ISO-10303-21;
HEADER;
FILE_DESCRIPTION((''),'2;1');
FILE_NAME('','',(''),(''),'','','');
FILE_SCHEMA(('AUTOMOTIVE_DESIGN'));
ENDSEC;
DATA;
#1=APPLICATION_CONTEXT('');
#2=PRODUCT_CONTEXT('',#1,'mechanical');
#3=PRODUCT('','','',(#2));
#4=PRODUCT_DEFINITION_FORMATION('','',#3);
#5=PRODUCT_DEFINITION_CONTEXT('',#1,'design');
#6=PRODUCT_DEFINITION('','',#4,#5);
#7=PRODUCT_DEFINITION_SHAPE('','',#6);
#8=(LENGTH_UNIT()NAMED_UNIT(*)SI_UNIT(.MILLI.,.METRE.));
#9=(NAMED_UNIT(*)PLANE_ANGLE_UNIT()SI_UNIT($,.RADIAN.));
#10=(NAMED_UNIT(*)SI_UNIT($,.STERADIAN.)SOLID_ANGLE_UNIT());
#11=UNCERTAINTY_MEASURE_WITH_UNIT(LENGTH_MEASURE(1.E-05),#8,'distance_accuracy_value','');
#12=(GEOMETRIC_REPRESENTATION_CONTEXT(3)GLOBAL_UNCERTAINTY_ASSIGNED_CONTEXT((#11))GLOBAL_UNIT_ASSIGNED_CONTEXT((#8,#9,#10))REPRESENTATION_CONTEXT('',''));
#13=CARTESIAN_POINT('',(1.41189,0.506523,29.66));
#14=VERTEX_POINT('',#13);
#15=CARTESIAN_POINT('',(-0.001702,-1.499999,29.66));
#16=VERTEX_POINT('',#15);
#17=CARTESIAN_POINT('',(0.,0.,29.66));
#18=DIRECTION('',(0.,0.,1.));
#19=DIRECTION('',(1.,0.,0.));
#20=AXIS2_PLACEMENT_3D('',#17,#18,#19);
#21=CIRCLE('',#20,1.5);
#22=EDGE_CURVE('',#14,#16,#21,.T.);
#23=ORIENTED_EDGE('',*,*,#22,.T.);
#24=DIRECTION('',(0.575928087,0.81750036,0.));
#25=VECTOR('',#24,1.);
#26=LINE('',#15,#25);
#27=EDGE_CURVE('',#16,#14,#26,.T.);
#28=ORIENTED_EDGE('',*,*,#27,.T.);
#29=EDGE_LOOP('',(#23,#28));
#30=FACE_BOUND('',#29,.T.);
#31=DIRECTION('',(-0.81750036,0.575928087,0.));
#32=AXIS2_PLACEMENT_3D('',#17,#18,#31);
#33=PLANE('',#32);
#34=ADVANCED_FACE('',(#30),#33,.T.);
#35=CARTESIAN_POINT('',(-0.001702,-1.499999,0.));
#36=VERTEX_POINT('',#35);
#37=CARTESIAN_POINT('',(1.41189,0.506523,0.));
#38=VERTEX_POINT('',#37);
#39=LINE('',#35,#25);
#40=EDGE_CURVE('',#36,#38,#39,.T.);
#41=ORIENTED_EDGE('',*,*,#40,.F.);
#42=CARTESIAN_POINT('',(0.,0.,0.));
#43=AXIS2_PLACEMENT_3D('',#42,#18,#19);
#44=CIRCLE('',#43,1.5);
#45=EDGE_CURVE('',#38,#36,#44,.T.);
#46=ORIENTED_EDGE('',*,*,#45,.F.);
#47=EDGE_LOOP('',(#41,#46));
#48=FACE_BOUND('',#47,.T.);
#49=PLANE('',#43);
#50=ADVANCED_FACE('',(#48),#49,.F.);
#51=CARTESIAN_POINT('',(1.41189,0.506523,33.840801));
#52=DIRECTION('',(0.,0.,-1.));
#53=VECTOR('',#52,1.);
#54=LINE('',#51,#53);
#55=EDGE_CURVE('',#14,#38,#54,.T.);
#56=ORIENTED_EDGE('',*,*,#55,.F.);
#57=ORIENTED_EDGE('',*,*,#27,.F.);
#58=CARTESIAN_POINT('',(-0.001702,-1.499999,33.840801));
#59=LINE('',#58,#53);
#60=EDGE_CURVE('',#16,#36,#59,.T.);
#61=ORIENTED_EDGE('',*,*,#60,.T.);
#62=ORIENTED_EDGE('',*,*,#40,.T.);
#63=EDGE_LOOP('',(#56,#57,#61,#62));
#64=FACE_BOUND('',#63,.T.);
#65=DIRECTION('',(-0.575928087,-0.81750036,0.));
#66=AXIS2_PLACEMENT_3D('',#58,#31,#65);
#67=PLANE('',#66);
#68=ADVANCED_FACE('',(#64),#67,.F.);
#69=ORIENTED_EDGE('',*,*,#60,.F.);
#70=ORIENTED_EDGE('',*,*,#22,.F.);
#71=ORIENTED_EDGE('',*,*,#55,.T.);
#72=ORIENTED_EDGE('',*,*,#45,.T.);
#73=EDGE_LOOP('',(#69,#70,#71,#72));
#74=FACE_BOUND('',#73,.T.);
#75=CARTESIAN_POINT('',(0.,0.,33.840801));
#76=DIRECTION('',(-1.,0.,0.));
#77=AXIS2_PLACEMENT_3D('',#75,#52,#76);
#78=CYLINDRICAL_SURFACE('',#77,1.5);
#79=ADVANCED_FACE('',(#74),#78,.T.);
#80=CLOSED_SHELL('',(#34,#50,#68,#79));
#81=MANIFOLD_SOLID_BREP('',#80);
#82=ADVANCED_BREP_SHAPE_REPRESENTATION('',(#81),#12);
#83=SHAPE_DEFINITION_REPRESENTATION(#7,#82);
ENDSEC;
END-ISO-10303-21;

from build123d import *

# Parameters (mm, degrees)
BOSS_EXTRUDE1_DEPTH = 29.66


with BuildPart() as part:
    # Sketch1 → Boss-Extrude1 (new body)
    with BuildSketch(Plane.XY):
        with BuildLine():
            Line((-0.00170223, -1.499999034), (1.411890351, 0.506523085))
            ThreePointArc((1.411890351, 0.506523085), (-1.22625054, 0.86389213), (-0.00170223, -1.499999034))
        make_face()
    extrude(amount=BOSS_EXTRUDE1_DEPTH)


solid = part.part
